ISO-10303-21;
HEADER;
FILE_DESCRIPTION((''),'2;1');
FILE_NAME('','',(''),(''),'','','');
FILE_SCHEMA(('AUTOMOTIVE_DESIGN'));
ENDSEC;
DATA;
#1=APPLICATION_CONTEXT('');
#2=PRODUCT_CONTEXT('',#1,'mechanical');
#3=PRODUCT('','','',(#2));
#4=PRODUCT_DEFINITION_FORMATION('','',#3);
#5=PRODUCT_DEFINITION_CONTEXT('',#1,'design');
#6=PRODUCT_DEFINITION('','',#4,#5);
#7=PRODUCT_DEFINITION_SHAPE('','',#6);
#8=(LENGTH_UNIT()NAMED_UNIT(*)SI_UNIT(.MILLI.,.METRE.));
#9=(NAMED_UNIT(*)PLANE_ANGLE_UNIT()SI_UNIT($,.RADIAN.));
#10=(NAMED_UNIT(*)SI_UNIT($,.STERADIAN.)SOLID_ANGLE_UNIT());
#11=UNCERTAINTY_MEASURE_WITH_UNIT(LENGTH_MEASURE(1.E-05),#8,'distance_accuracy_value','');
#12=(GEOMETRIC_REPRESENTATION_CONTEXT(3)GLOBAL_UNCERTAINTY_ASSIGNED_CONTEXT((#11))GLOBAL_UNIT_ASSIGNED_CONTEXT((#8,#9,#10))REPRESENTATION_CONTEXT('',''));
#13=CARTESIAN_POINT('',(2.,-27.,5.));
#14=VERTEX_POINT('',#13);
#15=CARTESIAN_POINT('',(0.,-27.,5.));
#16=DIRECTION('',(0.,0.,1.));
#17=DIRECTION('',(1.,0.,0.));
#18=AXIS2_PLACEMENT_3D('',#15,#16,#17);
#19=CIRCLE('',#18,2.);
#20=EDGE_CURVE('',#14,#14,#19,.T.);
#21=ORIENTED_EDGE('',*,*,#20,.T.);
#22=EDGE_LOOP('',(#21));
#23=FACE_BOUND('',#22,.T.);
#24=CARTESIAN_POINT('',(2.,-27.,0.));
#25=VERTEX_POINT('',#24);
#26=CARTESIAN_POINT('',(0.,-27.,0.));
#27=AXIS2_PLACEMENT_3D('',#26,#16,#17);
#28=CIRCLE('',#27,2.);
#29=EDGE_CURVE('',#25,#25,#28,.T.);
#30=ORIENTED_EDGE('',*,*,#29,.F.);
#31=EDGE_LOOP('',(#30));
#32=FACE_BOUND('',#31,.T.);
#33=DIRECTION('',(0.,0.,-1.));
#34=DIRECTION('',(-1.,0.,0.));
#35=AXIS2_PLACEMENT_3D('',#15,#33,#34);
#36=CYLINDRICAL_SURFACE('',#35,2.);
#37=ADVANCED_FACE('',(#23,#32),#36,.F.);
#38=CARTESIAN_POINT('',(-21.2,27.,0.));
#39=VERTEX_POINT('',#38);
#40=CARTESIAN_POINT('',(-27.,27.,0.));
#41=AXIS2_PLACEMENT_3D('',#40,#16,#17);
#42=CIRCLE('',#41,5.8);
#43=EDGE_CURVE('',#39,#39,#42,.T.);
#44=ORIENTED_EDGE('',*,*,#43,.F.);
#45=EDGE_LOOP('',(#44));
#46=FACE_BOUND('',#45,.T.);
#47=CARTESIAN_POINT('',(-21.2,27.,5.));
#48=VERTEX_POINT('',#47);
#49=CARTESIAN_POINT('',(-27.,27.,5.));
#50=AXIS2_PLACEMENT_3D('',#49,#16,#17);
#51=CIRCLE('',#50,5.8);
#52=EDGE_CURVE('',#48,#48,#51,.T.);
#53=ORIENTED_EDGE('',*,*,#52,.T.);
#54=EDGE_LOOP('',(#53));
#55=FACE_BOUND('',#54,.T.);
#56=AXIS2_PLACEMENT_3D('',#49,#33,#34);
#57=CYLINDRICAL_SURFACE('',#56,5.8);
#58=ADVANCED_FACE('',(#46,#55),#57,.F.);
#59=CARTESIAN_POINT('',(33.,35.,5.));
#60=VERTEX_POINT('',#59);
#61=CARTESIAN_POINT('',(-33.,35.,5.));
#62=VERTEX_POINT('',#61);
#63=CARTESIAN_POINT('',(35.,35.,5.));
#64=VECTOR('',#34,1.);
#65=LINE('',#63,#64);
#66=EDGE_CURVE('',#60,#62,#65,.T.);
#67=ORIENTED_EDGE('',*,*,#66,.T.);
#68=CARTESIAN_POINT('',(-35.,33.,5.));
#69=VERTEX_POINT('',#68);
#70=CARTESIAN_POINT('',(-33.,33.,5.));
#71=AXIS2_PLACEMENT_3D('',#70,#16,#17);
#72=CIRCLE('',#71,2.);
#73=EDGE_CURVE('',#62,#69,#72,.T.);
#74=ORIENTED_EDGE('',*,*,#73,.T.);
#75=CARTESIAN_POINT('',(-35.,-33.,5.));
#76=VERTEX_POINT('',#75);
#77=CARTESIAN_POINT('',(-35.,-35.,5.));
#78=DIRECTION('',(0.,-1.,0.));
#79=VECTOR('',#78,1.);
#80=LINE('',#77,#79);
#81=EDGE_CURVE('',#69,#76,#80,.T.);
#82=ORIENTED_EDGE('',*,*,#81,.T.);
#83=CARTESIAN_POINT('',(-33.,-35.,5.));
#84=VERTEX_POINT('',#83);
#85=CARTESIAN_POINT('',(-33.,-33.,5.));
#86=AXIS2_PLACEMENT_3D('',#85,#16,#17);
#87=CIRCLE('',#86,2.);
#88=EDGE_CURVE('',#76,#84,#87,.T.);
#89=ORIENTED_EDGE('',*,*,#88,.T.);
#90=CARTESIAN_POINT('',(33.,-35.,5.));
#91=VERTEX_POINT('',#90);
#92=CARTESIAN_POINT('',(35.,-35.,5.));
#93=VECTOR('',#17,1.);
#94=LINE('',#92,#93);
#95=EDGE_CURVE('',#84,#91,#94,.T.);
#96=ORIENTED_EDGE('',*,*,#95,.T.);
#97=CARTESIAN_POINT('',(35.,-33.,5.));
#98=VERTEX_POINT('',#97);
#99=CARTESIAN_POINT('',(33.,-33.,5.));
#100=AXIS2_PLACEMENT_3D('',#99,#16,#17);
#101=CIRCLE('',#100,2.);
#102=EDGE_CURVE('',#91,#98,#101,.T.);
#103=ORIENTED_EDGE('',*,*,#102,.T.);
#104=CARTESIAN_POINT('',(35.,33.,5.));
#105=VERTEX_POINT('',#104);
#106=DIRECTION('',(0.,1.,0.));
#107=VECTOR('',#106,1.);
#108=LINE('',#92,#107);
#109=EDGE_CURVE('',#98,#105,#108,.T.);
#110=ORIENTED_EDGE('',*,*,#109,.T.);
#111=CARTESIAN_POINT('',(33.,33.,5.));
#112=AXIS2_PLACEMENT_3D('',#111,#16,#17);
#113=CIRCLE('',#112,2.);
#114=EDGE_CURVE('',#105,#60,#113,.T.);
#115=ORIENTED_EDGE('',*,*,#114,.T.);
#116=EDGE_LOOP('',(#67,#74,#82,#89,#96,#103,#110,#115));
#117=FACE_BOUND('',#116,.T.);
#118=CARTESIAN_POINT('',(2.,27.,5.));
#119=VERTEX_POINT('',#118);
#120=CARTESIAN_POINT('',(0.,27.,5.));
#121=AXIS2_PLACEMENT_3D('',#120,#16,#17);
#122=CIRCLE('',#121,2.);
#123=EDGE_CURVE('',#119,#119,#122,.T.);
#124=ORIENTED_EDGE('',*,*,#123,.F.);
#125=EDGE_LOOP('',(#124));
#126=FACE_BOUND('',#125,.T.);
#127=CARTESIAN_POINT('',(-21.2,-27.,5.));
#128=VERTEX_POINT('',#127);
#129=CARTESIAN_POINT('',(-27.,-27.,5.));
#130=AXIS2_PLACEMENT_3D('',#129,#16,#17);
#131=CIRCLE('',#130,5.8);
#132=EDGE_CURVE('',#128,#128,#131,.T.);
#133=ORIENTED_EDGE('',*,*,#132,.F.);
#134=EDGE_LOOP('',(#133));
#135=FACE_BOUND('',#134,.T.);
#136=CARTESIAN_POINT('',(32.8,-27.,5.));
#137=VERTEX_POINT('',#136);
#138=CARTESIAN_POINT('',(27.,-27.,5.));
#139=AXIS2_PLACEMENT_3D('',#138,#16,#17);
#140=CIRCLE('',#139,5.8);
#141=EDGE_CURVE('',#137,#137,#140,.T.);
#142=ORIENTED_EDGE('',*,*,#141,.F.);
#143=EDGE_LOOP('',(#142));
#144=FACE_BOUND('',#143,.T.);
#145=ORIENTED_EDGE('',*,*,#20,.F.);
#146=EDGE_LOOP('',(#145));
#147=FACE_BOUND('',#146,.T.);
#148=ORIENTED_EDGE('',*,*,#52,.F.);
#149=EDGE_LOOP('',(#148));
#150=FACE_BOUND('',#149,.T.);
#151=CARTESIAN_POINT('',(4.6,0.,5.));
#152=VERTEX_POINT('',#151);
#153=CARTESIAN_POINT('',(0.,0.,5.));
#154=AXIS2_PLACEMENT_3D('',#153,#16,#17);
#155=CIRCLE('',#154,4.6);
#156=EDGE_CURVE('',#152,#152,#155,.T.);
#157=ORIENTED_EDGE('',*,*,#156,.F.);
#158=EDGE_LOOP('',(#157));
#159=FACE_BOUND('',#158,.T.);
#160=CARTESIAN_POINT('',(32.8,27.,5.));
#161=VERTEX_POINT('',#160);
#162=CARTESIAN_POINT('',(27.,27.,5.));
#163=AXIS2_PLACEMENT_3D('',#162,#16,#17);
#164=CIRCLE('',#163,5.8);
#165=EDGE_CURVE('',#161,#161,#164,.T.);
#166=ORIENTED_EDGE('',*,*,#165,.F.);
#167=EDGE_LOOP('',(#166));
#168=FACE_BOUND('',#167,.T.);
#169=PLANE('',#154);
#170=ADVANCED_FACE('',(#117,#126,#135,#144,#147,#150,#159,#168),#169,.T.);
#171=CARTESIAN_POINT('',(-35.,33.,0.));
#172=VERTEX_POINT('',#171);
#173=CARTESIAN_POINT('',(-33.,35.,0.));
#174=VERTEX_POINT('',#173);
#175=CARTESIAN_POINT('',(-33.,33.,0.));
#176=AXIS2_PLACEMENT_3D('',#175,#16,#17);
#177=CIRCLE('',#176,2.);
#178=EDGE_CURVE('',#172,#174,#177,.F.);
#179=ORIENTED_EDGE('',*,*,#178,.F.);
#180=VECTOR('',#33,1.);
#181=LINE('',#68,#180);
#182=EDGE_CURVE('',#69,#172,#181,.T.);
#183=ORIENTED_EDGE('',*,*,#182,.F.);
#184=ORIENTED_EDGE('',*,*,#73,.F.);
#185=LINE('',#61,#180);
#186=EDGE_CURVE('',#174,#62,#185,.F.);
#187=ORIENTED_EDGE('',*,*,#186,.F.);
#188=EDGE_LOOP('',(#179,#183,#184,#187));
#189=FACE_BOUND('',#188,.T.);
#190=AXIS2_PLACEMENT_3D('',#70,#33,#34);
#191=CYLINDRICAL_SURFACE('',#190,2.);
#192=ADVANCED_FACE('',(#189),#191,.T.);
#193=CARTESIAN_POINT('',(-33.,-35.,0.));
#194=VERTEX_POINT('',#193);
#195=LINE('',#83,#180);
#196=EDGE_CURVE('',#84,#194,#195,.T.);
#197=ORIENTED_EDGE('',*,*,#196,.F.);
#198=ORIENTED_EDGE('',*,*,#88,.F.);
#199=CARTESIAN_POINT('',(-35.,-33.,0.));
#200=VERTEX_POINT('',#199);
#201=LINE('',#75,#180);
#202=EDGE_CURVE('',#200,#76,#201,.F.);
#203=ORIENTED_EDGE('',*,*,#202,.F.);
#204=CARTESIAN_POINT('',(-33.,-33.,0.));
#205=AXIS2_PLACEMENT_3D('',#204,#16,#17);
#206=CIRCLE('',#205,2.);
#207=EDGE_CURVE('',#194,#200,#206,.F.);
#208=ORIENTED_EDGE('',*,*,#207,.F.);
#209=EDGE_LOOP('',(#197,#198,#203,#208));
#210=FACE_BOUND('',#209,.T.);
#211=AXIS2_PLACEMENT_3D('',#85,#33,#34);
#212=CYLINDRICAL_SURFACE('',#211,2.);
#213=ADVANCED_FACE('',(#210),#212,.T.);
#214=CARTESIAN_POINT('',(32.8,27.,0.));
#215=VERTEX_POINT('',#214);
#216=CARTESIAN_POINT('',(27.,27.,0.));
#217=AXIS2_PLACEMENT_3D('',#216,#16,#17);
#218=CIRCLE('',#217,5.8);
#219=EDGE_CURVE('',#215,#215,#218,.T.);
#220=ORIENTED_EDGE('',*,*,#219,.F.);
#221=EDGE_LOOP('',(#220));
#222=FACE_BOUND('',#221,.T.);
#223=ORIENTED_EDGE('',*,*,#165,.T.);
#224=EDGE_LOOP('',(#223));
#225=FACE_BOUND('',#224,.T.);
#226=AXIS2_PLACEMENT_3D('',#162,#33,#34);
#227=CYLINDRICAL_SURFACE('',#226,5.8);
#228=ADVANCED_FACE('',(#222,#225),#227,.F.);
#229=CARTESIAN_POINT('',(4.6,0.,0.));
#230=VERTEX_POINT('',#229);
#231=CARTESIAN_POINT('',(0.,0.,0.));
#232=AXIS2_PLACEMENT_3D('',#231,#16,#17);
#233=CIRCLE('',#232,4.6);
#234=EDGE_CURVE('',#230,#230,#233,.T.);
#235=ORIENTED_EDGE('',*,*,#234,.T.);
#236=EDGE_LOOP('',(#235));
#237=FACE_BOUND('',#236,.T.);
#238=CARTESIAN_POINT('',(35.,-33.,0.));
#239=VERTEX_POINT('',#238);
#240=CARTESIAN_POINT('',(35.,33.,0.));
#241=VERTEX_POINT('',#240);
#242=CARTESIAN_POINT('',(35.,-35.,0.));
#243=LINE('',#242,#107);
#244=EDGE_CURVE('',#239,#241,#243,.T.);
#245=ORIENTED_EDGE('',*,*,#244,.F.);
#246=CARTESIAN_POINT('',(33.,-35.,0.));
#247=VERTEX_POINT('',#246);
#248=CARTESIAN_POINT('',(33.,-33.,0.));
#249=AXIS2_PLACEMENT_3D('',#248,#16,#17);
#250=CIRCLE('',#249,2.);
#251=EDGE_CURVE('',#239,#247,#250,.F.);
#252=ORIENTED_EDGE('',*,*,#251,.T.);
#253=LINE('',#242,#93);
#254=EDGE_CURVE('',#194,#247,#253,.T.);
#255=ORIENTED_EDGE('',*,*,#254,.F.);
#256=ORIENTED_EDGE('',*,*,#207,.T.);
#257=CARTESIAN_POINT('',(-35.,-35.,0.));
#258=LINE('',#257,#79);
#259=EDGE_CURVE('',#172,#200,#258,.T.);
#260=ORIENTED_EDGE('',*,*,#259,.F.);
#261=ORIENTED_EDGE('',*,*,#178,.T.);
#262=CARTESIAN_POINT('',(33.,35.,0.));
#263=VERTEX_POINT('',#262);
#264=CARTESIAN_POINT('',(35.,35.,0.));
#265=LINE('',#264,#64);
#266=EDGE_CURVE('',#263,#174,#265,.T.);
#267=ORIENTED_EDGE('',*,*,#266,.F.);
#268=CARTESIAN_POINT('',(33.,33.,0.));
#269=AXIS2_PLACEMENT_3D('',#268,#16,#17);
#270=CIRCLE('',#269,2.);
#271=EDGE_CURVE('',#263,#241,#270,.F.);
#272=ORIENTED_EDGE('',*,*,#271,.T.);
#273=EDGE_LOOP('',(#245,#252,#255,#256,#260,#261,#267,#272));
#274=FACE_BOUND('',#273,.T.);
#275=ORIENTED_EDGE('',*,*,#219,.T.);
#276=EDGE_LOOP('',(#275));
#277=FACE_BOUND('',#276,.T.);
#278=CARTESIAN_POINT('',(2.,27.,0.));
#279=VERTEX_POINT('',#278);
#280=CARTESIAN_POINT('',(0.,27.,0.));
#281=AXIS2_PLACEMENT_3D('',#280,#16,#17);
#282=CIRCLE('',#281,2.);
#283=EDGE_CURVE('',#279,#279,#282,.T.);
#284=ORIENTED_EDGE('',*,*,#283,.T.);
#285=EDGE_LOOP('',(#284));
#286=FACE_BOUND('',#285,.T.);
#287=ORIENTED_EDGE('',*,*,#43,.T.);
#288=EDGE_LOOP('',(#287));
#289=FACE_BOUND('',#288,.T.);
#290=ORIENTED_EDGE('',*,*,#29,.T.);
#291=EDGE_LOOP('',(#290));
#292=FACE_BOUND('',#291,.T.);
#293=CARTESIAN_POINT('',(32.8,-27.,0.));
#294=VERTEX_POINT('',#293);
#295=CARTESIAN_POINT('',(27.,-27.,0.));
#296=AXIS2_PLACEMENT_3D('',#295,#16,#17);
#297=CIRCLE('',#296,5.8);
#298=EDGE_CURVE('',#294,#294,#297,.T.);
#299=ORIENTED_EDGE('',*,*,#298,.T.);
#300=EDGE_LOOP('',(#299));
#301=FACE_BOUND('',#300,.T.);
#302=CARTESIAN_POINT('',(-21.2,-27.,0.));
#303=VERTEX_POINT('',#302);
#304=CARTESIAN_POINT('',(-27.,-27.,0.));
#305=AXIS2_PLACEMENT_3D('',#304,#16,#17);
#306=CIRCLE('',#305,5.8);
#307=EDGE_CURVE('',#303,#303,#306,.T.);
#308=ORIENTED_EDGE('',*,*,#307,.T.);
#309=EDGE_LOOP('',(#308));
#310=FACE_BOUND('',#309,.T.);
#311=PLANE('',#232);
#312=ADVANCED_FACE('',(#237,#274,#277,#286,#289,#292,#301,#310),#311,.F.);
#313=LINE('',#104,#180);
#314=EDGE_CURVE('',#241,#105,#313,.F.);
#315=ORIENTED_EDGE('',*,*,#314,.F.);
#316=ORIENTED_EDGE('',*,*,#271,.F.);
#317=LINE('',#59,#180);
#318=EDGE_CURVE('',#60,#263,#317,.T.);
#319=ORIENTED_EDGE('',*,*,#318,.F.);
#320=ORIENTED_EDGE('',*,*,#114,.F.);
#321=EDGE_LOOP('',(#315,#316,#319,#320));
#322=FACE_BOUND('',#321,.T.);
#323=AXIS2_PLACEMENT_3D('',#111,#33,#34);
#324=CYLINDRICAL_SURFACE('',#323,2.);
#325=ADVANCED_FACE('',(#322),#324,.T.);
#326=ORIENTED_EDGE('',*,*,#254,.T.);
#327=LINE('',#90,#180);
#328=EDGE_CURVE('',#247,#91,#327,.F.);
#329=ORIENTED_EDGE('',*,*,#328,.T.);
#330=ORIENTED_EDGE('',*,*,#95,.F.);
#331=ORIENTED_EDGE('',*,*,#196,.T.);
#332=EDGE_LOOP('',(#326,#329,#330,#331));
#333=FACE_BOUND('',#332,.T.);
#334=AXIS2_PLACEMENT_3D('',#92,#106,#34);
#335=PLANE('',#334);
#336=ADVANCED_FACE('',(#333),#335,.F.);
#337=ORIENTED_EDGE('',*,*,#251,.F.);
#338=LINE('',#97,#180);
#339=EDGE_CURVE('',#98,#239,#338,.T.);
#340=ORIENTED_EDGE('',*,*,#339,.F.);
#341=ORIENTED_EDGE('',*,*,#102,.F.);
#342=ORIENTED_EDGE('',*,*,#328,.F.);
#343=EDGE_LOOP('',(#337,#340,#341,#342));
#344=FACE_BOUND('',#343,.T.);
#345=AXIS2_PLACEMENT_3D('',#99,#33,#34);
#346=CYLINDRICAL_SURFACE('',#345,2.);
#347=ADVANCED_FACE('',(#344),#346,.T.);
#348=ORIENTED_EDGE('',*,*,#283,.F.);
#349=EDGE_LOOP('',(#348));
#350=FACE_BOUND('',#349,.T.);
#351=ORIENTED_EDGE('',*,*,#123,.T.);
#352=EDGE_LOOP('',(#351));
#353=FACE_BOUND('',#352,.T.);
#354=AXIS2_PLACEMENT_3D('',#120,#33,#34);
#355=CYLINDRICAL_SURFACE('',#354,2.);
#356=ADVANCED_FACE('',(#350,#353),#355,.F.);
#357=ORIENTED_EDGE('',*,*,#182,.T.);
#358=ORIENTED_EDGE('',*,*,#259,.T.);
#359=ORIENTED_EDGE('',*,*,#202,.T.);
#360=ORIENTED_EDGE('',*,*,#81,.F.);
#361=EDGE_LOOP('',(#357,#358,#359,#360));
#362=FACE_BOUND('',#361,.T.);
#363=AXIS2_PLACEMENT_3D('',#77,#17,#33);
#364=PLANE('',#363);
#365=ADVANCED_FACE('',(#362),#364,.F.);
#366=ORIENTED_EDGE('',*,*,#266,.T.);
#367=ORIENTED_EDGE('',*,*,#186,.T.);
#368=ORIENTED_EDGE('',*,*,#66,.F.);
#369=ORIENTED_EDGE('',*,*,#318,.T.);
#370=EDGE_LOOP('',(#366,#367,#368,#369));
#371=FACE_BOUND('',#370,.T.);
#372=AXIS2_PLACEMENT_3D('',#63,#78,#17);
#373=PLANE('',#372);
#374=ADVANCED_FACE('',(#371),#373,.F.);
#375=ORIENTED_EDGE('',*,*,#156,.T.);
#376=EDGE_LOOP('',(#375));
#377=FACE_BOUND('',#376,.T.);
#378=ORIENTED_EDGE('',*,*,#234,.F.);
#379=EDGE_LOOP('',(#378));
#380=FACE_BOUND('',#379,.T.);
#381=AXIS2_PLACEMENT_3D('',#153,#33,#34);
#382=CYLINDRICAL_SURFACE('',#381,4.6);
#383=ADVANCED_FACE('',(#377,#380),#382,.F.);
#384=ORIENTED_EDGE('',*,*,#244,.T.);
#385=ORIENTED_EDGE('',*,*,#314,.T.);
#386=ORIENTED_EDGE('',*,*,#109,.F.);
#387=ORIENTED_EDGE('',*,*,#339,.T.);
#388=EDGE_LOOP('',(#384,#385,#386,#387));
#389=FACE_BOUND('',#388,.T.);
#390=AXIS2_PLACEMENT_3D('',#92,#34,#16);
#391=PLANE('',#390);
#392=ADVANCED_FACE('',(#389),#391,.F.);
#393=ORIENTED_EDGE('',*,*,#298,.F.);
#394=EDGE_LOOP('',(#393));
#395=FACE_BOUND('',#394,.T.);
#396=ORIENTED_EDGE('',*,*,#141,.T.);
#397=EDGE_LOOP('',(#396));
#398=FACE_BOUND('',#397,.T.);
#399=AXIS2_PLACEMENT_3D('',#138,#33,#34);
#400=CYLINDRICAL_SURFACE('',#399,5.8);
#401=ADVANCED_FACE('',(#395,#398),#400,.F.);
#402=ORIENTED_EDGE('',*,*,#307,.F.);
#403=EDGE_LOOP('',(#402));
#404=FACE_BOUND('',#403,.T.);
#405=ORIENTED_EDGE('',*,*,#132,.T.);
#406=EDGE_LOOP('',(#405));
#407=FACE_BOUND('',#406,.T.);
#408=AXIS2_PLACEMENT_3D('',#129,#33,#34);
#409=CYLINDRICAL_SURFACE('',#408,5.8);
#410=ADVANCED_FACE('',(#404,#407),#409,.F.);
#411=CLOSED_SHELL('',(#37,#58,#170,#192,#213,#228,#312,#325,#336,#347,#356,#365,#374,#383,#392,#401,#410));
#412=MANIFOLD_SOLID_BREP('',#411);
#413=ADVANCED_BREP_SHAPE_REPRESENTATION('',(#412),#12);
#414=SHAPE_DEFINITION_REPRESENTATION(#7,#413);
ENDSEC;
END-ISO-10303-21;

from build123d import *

# Parameters (mm, degrees)
SKETCH1_W           = 70
SKETCH1_H           = 70
SKETCH1_R           = 5.8
SKETCH1_R_2         = 4.6
SKETCH1_R_3         = 2
BOSS_EXTRUDE1_DEPTH = 5
FILLET1_R           = 2
FILLET2_R           = 2


with BuildPart() as part:
    # Sketch1 → Boss-Extrude1 (new body)
    with BuildSketch(Plane.XY):
        Rectangle(SKETCH1_W, SKETCH1_H)
        with Locations((-27, 27)):
            Circle(SKETCH1_R, mode=Mode.SUBTRACT)
        with Locations((27, 27)):
            Circle(SKETCH1_R, mode=Mode.SUBTRACT)
        with Locations((27, -27)):
            Circle(SKETCH1_R, mode=Mode.SUBTRACT)
        with Locations((-27, -27)):
            Circle(SKETCH1_R, mode=Mode.SUBTRACT)
        Circle(SKETCH1_R_2, mode=Mode.SUBTRACT)
        with Locations((0, 27)):
            Circle(SKETCH1_R_3, mode=Mode.SUBTRACT)
        with Locations((0, -27)):
            Circle(SKETCH1_R_3, mode=Mode.SUBTRACT)
    extrude(amount=BOSS_EXTRUDE1_DEPTH)

    # Fillet1
    fillet1_edges = [part.edges().sort_by_distance(p)[0] for p in [
        (-35, 35, 2.5),
        (35, 35, 2.5),
        (35, -35, 2.5),
    ]]
    fillet(fillet1_edges, radius=FILLET1_R)

    # Fillet2
    fillet2_edges = [part.edges().sort_by_distance(p)[0] for p in [
        (-35, -35, 2.5),
    ]]
    fillet(fillet2_edges, radius=FILLET2_R)


solid = part.part
